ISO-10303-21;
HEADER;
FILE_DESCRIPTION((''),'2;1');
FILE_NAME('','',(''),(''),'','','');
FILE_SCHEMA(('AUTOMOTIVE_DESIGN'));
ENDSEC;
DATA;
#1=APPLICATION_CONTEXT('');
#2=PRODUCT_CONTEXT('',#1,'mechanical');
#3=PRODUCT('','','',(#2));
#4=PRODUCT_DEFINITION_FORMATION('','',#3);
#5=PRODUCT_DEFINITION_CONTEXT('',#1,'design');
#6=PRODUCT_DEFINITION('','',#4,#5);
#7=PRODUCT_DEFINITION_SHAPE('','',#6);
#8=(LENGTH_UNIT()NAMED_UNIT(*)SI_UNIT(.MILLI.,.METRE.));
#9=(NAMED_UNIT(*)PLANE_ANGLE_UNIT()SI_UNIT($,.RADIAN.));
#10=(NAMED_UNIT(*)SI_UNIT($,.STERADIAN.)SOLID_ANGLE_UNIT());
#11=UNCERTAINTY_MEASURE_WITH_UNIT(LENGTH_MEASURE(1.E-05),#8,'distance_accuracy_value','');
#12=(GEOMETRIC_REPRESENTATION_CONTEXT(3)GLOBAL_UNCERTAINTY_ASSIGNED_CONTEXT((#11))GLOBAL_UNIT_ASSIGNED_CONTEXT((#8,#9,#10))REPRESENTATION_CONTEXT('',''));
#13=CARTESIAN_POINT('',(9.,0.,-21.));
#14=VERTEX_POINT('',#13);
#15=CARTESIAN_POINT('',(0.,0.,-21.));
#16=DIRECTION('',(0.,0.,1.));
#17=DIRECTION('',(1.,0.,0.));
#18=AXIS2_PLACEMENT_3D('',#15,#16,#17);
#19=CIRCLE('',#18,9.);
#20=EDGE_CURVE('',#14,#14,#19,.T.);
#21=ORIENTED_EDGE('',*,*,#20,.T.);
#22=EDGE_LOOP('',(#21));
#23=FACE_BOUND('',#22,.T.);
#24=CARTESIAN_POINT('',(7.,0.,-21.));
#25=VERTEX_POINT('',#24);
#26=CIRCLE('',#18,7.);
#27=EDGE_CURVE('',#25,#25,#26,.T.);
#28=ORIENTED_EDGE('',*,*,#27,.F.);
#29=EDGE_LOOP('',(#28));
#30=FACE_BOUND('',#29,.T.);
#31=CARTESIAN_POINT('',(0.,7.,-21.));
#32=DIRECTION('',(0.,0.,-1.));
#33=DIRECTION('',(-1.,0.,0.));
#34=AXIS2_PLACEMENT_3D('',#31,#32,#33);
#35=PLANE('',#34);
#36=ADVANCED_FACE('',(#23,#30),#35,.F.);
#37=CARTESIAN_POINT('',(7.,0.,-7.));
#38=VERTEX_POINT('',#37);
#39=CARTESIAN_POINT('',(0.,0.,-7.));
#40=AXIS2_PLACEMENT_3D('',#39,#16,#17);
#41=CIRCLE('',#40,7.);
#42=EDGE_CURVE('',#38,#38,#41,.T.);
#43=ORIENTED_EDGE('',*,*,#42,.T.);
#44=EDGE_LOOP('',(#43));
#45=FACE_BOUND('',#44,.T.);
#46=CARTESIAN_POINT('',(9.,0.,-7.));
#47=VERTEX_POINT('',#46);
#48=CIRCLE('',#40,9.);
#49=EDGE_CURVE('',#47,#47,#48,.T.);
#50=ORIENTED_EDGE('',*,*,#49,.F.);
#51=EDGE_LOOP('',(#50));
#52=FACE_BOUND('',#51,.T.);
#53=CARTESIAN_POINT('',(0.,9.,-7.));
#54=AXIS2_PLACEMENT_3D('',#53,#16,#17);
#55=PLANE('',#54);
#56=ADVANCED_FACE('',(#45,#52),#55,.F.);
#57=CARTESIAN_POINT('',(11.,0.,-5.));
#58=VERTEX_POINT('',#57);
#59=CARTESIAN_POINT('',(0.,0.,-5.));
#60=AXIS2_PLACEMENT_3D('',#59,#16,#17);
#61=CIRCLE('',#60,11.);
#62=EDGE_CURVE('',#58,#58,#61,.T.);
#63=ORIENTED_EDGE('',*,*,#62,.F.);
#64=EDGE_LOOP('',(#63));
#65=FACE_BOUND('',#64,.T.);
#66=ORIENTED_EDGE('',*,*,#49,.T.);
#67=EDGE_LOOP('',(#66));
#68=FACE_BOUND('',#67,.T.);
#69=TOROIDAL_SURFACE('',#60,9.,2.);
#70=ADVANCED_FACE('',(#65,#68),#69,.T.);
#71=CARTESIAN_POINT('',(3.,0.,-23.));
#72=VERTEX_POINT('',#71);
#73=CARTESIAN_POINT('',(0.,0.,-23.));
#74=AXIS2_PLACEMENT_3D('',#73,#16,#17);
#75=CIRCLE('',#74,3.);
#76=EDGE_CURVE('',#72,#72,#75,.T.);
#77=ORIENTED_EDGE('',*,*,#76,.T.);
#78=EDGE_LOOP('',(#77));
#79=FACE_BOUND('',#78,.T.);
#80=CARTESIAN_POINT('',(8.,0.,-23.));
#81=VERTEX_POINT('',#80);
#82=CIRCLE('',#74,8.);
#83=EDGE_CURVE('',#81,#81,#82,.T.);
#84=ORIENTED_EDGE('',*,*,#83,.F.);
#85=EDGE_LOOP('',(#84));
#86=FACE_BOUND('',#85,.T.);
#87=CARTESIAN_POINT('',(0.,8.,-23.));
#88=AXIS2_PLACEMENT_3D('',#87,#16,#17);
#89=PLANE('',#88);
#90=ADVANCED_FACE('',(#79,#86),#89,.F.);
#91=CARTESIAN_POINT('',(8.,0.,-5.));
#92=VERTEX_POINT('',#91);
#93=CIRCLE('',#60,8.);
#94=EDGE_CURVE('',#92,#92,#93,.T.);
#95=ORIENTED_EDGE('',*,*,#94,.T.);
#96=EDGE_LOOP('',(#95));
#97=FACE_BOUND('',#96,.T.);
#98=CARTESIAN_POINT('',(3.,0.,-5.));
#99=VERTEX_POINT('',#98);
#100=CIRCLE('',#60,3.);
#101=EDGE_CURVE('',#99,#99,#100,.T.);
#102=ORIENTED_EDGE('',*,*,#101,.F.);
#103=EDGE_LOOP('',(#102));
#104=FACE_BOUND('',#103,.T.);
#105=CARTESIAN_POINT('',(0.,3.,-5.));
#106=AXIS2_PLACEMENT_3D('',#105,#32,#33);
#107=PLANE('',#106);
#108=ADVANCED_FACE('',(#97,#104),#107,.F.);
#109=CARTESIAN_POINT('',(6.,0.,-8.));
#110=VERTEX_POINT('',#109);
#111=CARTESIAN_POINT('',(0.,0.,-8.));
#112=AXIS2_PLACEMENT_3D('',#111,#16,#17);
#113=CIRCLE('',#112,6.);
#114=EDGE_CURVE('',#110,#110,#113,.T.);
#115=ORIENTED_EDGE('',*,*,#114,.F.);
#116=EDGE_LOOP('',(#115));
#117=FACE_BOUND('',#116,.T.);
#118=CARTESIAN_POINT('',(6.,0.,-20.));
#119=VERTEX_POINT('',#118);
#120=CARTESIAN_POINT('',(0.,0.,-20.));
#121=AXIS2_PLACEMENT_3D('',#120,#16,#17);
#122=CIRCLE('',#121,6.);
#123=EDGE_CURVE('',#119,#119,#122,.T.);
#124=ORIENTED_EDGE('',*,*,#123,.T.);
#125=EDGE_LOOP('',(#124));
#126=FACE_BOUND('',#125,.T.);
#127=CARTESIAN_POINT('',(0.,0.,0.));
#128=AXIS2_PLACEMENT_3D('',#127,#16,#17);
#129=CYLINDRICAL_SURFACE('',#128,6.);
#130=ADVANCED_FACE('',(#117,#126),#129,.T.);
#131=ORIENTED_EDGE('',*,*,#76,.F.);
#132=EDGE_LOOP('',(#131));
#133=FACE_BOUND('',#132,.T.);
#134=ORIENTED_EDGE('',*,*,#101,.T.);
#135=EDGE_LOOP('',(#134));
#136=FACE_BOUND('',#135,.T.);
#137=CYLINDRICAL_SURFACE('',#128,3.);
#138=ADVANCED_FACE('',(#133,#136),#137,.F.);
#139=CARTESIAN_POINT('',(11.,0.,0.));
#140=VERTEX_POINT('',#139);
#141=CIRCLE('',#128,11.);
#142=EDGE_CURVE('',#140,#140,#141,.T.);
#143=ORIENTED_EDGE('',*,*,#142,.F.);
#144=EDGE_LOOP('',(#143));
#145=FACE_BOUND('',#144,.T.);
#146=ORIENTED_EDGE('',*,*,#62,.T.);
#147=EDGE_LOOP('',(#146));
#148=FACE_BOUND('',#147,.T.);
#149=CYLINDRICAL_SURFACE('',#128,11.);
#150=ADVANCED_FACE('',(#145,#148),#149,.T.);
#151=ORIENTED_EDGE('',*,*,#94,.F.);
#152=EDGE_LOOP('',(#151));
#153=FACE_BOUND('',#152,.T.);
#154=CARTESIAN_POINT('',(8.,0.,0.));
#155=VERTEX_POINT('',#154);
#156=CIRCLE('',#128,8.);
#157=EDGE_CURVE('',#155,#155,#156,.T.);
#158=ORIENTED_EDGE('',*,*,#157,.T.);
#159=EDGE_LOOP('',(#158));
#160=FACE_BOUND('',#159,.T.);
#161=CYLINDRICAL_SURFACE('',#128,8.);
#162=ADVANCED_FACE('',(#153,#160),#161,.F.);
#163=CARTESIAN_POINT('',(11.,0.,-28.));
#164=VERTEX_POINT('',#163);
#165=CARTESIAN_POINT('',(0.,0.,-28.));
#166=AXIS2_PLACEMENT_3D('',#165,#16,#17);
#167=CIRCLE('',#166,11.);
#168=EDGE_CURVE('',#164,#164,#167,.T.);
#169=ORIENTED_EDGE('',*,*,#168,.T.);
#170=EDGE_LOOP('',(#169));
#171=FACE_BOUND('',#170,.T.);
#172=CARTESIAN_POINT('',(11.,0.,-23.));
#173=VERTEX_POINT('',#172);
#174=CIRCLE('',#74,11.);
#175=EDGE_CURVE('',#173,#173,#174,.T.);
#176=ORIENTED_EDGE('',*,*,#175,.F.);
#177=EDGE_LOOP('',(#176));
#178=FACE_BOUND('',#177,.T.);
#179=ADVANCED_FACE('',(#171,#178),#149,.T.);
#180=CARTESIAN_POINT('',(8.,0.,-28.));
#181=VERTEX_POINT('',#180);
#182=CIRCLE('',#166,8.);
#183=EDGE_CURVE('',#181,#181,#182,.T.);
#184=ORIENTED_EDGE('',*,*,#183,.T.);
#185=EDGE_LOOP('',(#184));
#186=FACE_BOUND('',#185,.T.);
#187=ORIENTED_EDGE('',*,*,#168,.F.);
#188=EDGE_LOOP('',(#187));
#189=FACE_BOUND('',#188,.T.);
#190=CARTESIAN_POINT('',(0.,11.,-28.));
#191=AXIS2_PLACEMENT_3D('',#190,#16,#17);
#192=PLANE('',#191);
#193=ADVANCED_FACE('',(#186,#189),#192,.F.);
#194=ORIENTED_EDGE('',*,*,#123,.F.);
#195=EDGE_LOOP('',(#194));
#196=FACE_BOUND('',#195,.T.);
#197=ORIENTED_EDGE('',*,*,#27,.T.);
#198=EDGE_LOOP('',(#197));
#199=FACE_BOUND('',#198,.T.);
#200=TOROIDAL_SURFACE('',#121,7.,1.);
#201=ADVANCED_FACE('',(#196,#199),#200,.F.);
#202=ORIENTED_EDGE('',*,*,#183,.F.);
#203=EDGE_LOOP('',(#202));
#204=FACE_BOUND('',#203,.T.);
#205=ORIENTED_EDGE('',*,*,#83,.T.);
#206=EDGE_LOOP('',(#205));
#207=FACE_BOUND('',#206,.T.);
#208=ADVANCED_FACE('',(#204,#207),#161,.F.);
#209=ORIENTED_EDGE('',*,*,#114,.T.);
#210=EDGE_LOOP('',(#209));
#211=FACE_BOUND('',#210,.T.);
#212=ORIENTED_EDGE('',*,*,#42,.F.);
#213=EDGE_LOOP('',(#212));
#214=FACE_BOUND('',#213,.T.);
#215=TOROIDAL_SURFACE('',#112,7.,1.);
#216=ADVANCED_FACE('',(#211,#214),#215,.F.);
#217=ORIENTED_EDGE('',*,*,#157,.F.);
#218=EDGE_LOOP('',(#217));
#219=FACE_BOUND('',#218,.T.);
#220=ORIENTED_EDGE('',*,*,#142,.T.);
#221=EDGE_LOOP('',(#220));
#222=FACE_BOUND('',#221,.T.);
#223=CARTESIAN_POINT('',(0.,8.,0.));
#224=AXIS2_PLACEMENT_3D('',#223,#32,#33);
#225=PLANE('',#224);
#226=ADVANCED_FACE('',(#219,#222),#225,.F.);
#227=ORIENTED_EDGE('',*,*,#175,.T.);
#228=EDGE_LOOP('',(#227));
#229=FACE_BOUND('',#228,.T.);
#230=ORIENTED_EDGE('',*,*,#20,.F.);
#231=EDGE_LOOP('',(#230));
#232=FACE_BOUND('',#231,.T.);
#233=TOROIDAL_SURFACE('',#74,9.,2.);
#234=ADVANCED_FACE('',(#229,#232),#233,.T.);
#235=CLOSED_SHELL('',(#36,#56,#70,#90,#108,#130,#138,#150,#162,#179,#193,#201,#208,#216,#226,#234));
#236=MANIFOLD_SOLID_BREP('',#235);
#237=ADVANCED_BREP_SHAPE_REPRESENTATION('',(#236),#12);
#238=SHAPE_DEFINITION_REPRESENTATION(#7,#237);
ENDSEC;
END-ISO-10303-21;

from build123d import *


with BuildPart() as part:
    # Esboço1 → Revolução1 (revolve)
    with BuildSketch(Plane(origin=(0, 0, 0), x_dir=(0, 0, -1), z_dir=(1, 0, 0))):
        with BuildLine():
            Line((0, 8), (0, 11))
            Line((0, 11), (5, 11))
            ThreePointArc((5, 11), (6.414213562, 10.414213562), (7, 9))
            Line((7, 9), (7, 7))
            ThreePointArc((7, 7), (7.292893219, 6.292893219), (8, 6))
            Line((8, 6), (20, 6))
            ThreePointArc((20, 6), (20.707106781, 6.292893219), (21, 7))
            Line((21, 7), (21, 9))
            ThreePointArc((21, 9), (21.585786438, 10.414213562), (23, 11))
            Line((23, 11), (28, 11))
            Line((28, 11), (28, 8))
            Line((28, 8), (23, 8))
            Line((23, 8), (23, 3))
            Line((23, 3), (5, 3))
            Line((5, 3), (5, 8))
            Line((5, 8), (0, 8))
        make_face()
    revolve(axis=Axis((0, 0, 0), (0, 0, -1)))


solid = part.part
